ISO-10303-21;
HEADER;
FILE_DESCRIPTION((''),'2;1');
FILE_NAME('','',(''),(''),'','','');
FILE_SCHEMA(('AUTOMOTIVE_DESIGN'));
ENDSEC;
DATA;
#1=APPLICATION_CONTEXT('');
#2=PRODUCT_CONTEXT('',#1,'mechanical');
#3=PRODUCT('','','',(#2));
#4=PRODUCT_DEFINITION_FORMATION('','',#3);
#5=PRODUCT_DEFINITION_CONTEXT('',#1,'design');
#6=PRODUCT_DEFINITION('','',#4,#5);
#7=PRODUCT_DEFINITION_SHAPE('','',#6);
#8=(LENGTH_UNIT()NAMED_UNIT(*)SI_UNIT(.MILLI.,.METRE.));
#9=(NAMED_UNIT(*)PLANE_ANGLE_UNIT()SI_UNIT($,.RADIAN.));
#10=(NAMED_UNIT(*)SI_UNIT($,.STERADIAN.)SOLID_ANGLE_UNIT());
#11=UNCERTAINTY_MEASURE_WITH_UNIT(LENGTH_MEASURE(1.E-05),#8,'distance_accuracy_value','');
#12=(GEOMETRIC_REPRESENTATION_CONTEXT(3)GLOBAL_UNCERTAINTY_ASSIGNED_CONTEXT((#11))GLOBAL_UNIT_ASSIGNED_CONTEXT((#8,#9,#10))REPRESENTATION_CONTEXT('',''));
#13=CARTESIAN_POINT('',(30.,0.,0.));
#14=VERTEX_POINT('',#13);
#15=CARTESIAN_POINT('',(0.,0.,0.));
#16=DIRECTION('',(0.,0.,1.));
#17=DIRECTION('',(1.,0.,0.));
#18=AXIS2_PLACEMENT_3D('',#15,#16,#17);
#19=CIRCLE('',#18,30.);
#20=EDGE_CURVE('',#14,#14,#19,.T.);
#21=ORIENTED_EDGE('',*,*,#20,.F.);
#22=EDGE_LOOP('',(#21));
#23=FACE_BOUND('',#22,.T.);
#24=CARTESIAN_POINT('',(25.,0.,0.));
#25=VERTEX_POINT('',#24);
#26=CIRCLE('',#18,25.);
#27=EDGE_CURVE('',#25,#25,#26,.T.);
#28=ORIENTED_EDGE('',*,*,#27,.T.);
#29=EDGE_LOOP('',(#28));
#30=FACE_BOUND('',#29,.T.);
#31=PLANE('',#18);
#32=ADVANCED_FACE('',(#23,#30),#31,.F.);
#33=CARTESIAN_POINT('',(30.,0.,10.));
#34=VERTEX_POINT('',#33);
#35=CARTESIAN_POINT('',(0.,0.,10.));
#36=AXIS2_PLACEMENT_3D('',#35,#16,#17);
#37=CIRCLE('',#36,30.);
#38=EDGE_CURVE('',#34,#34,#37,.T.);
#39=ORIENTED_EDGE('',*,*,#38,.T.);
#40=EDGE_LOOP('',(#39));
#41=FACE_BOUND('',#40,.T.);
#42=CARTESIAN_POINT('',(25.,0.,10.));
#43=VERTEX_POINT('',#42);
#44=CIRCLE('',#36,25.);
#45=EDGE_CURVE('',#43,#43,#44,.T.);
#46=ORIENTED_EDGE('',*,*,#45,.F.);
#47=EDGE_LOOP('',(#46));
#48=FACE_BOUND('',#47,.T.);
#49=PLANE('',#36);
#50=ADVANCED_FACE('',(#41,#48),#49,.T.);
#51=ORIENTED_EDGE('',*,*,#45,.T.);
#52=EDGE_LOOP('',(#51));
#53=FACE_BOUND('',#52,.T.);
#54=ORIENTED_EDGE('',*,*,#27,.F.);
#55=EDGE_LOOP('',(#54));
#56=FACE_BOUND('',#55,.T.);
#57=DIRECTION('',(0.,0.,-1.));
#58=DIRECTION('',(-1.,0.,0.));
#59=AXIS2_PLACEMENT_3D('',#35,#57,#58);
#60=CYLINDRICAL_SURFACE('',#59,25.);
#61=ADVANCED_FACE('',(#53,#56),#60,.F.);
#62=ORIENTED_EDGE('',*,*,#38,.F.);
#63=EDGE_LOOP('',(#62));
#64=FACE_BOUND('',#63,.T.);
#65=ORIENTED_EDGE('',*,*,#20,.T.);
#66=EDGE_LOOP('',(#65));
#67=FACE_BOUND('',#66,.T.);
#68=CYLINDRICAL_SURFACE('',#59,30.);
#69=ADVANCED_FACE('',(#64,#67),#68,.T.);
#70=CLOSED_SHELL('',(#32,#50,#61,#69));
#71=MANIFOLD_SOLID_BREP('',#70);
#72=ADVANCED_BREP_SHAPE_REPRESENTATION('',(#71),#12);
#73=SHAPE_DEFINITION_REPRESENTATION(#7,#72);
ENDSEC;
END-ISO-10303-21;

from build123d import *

# Parameters (mm, degrees)
SKETCH1_R           = 30
SKETCH1_R_2         = 25
BOSS_EXTRUDE1_DEPTH = 10


with BuildPart() as part:
    # Sketch1 → Boss-Extrude1 (new body)
    with BuildSketch(Plane.XY):
        Circle(SKETCH1_R)
        Circle(SKETCH1_R_2, mode=Mode.SUBTRACT)
    extrude(amount=BOSS_EXTRUDE1_DEPTH)


solid = part.part
